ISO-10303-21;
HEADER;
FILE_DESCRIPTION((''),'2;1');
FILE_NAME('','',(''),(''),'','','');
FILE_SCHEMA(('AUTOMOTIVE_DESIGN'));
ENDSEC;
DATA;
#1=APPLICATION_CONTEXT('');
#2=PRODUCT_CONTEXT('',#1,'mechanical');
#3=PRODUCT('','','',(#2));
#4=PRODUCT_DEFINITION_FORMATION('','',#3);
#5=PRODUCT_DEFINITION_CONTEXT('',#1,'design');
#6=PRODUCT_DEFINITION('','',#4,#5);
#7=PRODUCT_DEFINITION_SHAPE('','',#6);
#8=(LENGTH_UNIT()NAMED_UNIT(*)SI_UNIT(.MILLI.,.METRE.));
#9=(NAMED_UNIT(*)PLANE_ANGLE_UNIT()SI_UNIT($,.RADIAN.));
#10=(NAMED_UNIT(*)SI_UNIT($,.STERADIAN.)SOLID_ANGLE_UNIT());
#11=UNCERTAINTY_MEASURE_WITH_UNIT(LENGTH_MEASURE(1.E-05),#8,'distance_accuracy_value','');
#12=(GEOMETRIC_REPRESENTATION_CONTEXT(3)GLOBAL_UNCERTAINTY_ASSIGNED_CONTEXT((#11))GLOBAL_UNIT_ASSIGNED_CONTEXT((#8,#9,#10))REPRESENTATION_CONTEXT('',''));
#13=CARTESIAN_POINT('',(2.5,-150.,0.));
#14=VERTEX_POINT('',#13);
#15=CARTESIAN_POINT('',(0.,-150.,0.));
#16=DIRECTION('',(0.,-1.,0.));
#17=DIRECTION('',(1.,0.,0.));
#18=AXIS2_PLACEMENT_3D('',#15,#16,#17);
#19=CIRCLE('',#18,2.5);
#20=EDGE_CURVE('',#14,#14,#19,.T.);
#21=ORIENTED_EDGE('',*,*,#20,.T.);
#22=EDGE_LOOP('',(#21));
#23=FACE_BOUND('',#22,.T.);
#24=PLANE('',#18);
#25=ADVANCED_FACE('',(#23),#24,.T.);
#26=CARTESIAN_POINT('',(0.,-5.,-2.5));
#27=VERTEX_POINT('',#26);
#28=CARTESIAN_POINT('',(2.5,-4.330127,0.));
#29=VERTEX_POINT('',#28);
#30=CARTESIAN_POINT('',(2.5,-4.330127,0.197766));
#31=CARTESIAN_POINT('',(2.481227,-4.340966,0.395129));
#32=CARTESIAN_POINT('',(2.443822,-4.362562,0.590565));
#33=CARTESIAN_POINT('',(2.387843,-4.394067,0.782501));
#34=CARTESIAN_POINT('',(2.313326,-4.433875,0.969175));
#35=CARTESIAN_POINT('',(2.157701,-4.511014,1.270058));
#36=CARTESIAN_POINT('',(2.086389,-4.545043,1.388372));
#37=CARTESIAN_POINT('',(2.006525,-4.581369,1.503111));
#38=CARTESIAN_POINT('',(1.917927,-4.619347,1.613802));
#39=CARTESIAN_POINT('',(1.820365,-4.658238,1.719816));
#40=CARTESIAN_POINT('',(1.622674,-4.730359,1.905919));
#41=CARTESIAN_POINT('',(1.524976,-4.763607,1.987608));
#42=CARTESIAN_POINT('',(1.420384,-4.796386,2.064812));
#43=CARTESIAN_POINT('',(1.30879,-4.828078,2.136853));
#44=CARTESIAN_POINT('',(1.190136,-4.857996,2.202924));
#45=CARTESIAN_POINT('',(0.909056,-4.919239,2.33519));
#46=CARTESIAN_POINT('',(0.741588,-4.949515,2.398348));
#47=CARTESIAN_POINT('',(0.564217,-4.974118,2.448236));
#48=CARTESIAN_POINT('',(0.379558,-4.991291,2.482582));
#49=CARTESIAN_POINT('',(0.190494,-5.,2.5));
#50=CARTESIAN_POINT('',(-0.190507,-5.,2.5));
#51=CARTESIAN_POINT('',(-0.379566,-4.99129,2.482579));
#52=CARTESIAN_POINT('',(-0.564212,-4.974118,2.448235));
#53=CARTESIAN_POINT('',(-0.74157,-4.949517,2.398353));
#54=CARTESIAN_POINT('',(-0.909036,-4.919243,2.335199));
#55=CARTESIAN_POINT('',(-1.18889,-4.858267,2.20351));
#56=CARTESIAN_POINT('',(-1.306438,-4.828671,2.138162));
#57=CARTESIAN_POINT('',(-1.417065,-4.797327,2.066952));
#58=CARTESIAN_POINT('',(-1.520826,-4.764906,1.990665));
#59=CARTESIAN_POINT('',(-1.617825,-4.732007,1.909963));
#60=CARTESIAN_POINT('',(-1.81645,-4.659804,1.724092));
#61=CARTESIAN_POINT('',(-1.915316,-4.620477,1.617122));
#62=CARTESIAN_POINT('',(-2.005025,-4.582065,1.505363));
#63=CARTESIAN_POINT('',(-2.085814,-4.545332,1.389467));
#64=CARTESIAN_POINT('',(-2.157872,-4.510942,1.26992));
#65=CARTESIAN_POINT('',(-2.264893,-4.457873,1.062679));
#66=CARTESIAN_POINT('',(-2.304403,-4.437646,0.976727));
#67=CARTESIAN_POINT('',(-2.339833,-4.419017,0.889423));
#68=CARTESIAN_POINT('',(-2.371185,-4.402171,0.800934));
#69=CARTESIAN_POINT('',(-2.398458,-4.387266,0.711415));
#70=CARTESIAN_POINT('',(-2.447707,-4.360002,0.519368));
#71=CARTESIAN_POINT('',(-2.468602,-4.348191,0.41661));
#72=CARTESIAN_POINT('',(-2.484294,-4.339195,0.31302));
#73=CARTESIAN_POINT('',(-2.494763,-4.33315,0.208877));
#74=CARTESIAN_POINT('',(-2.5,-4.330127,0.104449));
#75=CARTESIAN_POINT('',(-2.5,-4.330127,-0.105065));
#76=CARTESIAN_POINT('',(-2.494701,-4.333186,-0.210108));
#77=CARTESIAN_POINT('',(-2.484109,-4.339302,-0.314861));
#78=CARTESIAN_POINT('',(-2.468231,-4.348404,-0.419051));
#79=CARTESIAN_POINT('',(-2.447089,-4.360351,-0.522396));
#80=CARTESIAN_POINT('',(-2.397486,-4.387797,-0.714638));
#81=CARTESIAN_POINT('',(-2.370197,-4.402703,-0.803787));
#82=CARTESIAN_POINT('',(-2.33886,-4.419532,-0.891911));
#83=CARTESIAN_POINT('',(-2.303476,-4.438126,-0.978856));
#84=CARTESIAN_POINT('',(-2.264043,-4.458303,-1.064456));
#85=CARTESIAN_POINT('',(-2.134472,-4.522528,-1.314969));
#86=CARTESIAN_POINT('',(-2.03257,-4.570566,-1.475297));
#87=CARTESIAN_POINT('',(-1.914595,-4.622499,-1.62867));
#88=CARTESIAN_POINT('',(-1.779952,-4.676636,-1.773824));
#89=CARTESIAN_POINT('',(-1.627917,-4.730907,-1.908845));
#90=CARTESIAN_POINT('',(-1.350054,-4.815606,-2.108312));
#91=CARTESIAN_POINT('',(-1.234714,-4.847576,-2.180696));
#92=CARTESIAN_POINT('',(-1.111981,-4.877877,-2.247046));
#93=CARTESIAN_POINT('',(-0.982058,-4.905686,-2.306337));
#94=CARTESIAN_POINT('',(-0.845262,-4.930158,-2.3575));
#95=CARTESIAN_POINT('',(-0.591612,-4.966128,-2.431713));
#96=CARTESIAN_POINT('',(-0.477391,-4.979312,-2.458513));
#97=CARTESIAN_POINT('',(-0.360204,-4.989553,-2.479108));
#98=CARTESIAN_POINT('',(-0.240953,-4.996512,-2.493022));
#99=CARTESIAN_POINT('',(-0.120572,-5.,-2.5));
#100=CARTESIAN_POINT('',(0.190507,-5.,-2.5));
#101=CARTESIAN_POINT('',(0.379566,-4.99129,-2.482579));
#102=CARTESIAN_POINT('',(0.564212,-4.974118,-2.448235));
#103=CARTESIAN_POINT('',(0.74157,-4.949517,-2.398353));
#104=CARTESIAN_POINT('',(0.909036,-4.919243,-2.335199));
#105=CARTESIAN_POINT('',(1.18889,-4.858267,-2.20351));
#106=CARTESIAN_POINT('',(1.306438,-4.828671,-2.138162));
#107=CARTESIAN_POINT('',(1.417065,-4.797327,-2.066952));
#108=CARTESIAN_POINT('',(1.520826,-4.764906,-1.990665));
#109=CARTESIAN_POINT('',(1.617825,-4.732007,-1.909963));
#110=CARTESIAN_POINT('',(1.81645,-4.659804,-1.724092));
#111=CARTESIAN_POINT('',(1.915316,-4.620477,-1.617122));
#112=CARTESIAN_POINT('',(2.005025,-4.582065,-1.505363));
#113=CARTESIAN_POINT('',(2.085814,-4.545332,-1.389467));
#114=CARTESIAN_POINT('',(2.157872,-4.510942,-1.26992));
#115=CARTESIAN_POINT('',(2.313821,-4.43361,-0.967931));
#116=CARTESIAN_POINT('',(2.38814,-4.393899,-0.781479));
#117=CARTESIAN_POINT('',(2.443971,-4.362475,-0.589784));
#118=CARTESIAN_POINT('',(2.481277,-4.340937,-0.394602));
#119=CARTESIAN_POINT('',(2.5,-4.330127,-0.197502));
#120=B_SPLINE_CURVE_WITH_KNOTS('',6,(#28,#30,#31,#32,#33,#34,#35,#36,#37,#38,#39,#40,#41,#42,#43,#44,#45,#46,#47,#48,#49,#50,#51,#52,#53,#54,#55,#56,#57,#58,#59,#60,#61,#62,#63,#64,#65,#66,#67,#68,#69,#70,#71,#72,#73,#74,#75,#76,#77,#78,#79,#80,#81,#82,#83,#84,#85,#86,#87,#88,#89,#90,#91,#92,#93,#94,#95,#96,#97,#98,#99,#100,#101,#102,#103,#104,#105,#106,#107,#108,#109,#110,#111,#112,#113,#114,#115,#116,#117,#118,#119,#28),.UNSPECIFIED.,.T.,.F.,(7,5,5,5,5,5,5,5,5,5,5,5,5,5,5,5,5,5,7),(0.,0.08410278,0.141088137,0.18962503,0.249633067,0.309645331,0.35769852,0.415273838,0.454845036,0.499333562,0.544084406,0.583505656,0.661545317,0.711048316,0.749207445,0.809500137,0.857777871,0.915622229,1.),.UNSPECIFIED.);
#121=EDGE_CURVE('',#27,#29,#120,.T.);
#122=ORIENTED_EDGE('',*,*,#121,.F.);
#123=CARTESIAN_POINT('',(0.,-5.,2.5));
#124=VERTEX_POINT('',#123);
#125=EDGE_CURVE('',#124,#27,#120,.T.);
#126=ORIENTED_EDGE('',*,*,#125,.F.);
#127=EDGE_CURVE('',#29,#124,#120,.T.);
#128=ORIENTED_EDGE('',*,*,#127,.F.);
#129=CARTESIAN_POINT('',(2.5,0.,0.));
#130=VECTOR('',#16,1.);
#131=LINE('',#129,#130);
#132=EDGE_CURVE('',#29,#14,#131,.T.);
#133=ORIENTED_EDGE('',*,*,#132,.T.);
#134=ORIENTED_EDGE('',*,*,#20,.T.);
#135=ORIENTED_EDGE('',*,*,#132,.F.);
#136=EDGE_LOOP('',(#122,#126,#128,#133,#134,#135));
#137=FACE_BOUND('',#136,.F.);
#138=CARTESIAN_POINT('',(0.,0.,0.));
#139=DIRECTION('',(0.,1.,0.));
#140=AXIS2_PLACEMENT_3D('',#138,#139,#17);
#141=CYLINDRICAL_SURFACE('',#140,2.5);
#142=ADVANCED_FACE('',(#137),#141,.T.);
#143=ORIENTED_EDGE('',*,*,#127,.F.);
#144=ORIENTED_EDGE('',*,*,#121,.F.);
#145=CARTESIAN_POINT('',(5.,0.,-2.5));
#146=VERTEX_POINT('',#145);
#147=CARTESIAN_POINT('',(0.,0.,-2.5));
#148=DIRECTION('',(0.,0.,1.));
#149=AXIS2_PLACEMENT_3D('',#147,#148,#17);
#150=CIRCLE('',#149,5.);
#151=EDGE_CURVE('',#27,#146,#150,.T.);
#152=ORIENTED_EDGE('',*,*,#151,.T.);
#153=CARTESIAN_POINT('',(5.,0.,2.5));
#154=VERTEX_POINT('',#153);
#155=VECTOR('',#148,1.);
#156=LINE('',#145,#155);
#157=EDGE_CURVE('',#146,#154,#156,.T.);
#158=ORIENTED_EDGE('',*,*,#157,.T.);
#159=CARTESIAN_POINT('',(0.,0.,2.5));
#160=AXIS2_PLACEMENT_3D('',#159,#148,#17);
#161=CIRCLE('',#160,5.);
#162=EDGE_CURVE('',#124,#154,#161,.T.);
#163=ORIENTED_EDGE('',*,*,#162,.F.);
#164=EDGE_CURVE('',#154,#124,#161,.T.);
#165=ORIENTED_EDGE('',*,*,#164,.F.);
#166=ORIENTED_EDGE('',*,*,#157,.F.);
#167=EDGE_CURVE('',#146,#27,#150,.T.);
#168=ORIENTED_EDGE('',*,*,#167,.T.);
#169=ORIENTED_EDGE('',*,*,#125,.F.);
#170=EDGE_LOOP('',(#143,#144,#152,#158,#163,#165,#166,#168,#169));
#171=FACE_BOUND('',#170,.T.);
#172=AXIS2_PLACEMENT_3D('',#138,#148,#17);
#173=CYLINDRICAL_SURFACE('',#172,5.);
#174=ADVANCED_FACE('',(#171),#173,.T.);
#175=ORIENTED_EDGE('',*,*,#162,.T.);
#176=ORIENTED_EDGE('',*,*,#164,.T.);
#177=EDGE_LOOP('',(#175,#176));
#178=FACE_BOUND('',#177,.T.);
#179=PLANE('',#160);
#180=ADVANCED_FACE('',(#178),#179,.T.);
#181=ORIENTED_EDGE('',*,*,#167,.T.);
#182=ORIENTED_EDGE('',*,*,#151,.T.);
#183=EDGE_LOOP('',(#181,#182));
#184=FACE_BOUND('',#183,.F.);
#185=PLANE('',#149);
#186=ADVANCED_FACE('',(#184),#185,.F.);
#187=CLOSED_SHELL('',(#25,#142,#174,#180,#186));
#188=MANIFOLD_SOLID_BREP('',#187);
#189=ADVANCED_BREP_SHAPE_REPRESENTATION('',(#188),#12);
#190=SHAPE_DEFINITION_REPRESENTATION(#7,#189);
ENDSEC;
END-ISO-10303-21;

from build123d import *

# Parameters (mm, degrees)
F0_R     = 2.5
F1_DEPTH = 150
F2_R     = 5
F3_DEPTH = 2.5


with BuildPart() as f1:
    # F0 (on Front) → F1 (new body)
    with BuildSketch(Plane.XZ):
        Circle(F0_R)
    extrude(amount=F1_DEPTH)

    # F2 (on Top) → F3 (join, symmetric)
    with BuildSketch(Plane.XY):
        Circle(F2_R)
    extrude(amount=F3_DEPTH, both=True)


solid = f1.part
